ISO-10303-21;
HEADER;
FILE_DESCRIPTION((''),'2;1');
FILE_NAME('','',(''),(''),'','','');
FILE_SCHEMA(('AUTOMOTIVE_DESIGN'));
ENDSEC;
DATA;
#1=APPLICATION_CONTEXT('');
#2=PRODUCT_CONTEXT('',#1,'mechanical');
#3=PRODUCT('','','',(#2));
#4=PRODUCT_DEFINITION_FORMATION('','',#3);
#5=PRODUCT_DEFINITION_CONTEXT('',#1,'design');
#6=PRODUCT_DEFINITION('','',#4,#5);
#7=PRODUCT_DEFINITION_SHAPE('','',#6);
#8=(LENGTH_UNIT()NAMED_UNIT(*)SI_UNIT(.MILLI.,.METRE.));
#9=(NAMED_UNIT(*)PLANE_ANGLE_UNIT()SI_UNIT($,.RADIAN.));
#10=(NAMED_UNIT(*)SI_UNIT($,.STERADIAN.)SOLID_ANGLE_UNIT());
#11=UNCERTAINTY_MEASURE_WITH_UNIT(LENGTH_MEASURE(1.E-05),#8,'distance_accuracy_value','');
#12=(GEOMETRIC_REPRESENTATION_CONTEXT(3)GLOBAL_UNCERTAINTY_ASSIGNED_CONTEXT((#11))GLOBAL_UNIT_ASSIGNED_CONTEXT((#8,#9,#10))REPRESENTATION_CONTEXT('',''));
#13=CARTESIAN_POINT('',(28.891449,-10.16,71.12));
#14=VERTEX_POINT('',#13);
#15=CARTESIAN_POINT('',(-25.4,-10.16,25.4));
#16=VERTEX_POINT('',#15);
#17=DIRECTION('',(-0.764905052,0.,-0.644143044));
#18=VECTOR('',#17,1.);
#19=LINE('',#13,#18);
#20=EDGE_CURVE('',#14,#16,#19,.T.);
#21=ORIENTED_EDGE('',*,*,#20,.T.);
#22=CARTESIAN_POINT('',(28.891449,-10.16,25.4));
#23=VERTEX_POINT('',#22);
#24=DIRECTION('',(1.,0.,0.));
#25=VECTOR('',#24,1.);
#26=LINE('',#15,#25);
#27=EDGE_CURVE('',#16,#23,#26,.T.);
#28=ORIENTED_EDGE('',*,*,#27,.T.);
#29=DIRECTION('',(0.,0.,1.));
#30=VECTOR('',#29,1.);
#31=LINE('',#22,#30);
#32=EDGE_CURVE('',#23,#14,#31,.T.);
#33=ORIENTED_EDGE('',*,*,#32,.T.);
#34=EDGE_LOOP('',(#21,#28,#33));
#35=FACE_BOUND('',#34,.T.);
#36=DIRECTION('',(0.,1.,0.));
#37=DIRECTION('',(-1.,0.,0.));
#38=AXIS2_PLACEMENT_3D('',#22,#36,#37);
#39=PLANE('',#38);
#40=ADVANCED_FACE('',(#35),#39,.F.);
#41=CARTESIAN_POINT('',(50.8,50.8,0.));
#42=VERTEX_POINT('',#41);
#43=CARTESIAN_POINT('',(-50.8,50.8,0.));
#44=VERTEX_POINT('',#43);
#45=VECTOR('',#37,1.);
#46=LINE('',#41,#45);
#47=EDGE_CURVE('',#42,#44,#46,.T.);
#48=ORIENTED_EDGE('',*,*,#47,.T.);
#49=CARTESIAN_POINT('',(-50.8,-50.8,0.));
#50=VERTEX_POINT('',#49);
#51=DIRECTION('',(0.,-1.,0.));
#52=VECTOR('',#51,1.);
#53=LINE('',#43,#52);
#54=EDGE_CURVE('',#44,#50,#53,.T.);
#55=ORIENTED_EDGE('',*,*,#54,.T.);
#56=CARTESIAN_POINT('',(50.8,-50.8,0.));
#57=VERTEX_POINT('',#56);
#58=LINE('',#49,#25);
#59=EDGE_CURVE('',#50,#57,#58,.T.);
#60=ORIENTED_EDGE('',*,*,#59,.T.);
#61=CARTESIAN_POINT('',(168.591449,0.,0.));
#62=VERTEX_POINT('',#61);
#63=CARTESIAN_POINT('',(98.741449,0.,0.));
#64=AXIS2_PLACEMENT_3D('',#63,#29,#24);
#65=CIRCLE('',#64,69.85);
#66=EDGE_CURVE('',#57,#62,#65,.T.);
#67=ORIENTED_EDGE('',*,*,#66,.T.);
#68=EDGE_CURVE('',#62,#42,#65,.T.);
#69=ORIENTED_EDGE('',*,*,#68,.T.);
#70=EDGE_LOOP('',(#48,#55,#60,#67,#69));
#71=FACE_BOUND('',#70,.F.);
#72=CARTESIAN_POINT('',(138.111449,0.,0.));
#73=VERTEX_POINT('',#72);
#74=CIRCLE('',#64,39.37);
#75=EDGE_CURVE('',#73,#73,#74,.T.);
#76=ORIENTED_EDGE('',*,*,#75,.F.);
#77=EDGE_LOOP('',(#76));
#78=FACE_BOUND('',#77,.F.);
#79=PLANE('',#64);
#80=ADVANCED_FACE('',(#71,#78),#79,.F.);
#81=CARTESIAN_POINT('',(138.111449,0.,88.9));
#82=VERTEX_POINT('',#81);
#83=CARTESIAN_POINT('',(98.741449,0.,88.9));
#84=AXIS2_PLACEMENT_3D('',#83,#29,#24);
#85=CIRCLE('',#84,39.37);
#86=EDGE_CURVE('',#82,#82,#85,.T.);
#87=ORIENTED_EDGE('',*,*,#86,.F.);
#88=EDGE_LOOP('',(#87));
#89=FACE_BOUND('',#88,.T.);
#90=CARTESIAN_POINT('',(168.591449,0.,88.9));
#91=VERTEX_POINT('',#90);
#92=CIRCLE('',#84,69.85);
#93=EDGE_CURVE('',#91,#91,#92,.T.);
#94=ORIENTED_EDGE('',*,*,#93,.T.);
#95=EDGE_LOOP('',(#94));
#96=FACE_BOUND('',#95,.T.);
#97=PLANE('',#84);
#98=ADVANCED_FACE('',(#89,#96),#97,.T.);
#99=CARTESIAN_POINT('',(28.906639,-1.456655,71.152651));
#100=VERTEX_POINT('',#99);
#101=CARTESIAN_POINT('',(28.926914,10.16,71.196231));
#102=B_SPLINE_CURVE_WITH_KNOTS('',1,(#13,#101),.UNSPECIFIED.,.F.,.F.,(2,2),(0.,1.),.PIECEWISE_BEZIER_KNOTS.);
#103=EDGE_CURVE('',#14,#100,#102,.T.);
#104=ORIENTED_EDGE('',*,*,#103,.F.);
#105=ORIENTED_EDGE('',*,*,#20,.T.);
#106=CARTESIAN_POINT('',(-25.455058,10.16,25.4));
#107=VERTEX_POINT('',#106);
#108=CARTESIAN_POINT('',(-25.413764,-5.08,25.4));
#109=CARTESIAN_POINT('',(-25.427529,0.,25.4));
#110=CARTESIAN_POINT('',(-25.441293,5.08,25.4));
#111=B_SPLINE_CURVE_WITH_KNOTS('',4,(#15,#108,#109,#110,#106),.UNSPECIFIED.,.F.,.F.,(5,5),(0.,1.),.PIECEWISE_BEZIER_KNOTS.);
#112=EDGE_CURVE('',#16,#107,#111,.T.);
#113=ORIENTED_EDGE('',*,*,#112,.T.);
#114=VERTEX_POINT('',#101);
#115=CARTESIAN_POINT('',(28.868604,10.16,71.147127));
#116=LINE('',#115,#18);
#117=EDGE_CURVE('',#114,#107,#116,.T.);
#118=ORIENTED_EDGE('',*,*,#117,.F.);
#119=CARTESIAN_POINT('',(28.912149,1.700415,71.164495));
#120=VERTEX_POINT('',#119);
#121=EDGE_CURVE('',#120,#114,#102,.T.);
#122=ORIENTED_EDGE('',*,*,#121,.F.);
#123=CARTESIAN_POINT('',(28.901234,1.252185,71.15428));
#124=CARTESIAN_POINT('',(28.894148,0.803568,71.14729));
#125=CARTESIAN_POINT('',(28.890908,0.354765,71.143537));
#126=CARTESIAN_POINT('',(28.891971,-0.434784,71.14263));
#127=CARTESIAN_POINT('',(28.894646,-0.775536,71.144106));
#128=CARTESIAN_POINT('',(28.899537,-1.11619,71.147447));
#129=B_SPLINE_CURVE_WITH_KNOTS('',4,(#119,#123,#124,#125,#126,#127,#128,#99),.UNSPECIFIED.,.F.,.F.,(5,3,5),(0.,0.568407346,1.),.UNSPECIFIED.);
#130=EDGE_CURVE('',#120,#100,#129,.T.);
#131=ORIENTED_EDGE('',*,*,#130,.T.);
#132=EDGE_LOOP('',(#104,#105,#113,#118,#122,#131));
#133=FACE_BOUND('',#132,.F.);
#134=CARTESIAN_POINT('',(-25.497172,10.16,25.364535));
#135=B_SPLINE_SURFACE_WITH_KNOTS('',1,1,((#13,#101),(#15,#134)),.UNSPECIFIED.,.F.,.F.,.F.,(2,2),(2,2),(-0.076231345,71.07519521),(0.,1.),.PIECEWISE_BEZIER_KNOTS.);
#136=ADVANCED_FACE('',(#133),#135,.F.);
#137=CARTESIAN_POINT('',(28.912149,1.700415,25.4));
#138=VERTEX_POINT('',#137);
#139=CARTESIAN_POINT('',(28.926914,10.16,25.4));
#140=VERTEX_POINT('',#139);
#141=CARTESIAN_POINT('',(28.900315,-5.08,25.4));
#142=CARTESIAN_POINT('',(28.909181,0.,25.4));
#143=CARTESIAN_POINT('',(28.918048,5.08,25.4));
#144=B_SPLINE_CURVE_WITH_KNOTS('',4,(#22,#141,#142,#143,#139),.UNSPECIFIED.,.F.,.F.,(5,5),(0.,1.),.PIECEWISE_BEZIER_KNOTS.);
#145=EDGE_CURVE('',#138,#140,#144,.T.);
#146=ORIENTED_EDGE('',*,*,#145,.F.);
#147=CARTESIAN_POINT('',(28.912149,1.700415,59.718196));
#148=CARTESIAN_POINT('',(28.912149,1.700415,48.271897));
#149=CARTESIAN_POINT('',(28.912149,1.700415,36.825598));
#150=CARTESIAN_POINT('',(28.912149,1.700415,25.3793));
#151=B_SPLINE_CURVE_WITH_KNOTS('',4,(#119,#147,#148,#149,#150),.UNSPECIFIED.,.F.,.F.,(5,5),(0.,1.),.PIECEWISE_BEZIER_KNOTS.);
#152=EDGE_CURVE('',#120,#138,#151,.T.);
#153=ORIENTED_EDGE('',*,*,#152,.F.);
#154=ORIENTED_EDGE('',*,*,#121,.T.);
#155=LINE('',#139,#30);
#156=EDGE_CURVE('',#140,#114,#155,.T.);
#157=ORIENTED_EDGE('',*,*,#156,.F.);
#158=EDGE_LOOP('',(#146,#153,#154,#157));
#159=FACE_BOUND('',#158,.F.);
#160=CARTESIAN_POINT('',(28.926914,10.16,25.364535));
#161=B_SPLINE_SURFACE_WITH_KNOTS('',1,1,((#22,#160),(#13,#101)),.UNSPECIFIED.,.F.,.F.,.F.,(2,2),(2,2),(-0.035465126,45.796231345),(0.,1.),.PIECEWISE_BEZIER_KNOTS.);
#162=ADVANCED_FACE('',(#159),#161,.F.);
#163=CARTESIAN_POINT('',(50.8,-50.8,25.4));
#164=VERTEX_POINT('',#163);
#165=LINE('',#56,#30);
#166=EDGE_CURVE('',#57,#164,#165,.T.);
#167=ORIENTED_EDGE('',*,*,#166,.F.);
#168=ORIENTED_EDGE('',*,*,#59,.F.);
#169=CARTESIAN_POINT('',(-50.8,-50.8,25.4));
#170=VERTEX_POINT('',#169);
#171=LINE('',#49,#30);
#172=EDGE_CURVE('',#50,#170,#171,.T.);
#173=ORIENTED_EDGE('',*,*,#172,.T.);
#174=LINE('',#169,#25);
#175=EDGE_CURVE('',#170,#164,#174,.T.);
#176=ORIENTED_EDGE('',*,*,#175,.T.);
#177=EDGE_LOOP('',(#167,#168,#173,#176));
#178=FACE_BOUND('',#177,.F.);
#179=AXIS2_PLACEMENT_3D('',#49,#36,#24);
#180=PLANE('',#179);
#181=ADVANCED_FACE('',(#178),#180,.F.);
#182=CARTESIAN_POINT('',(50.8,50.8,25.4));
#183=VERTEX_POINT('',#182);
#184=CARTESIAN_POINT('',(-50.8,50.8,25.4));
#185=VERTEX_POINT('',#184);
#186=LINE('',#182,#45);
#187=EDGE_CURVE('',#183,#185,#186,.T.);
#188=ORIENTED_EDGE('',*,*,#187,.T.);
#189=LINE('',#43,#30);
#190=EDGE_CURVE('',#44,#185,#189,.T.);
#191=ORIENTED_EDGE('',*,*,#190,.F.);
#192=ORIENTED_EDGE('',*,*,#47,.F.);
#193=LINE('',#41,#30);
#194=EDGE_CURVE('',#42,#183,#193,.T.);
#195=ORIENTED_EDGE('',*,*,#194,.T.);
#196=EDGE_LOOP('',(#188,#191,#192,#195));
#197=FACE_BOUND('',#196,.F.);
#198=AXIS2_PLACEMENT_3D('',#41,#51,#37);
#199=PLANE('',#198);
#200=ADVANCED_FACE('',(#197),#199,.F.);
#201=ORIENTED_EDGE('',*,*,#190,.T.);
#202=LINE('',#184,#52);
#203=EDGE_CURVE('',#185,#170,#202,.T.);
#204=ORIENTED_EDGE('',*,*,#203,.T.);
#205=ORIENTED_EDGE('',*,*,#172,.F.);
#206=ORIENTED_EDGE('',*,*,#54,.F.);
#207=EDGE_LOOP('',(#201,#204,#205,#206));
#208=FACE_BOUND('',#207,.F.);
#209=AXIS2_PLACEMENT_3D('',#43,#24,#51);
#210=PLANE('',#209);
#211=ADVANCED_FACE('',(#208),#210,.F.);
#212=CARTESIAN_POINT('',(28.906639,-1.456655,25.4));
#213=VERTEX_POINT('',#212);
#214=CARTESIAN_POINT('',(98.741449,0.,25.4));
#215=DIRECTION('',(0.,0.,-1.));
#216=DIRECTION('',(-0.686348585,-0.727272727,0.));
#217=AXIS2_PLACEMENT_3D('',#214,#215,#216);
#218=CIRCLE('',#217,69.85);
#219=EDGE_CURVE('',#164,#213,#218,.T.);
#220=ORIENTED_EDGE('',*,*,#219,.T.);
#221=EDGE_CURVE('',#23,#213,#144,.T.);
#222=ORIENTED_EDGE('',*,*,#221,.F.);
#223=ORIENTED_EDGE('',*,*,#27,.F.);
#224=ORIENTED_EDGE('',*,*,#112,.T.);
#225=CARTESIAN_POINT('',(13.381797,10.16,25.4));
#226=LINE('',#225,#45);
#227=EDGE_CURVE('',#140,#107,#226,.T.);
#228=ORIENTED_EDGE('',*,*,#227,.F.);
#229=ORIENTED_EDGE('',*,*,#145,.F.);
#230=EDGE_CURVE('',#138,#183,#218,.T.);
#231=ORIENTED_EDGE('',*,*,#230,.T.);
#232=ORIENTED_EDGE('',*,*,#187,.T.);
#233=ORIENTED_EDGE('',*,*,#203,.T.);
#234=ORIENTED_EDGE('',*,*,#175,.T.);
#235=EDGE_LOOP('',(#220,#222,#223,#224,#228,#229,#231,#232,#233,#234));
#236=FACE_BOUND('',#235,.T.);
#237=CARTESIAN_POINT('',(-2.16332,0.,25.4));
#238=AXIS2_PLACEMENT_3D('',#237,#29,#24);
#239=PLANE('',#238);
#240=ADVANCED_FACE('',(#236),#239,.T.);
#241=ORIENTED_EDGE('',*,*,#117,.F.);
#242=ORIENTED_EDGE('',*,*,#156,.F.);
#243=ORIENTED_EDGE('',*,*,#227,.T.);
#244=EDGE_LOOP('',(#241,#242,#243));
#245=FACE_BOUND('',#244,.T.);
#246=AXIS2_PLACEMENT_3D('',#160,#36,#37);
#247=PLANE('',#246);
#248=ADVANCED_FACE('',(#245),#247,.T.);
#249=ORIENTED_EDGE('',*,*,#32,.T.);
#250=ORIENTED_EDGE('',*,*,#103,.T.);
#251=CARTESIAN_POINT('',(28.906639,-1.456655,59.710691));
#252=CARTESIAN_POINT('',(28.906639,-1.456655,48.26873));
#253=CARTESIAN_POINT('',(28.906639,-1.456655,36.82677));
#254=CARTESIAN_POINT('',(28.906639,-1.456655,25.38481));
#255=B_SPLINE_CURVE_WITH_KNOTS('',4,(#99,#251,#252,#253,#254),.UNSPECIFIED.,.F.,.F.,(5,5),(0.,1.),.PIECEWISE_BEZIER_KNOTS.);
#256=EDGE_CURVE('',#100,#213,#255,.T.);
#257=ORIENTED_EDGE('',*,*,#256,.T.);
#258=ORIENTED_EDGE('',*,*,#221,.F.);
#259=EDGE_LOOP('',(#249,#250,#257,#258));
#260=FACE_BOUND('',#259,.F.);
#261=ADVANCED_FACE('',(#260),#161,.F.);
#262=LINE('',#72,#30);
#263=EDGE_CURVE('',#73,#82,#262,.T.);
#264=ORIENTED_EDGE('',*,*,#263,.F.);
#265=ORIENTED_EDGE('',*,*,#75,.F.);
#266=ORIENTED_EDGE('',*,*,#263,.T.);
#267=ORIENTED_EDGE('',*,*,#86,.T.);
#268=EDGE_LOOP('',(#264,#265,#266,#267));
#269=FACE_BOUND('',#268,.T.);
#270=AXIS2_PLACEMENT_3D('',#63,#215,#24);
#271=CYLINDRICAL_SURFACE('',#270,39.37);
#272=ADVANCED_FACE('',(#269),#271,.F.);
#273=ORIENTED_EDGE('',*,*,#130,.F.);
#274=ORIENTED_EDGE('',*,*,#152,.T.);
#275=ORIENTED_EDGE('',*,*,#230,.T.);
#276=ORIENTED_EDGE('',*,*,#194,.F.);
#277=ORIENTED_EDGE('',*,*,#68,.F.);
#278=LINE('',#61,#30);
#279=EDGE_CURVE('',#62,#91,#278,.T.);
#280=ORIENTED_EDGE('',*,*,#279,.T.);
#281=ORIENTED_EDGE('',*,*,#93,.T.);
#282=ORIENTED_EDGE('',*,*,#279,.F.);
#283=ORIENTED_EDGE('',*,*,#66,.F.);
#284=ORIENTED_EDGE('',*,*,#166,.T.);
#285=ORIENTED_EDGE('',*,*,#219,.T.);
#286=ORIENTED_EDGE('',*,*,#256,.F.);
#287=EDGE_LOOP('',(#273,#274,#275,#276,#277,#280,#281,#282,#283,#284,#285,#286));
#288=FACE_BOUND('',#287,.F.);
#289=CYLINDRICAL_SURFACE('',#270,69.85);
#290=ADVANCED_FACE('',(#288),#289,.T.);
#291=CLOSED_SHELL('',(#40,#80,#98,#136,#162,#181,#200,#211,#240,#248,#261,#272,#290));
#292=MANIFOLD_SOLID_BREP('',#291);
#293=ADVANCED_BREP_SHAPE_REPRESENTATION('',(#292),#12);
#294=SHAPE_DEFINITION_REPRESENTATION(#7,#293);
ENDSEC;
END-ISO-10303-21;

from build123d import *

# Parameters (mm, degrees)
F0_R     = 39.37
F1_DEPTH = 88.9
F2_DEPTH = 25.4
F5_DEPTH = 20.32
F5_TAPER = -0.1


with BuildPart() as f1:
    # F0 (on Top) → F1 (new body)
    with BuildSketch(Plane.XY):
        with BuildLine():
            ThreePointArc((168.591448664, 0), (126.4029047972, 64.1394289388), (50.8, 50.8))
            ThreePointArc((50.8, 50.8), (28.891448664, 0), (50.8, -50.8))
            ThreePointArc((50.8, -50.8), (126.4029047972, -64.1394289388), (168.591448664, 0))
        make_face()
        with Locations((98.741448664, 0)):
            Circle(F0_R, mode=Mode.SUBTRACT)
    extrude(amount=F1_DEPTH)

    # F0 (on Top) → F2 (join)
    with BuildSketch(Plane.XY):
        with BuildLine():
            Line((50.8, 50.8), (-50.8, 50.8))
            Line((-50.8, 50.8), (-50.8, -50.8))
            Line((-50.8, -50.8), (50.8, -50.8))
            ThreePointArc((50.8, -50.8), (28.891448664, 0), (50.8, 50.8))
        make_face()
    extrude(amount=F2_DEPTH)

    # F4 (on offset) → F5 (join)
    with BuildSketch(Plane.XZ.offset(10.16)):
        Polygon((28.891448664, 25.4), (28.891448664, 71.12), (-25.4, 25.4), align=None)
    extrude(amount=-F5_DEPTH, taper=F5_TAPER)


solid = f1.part
